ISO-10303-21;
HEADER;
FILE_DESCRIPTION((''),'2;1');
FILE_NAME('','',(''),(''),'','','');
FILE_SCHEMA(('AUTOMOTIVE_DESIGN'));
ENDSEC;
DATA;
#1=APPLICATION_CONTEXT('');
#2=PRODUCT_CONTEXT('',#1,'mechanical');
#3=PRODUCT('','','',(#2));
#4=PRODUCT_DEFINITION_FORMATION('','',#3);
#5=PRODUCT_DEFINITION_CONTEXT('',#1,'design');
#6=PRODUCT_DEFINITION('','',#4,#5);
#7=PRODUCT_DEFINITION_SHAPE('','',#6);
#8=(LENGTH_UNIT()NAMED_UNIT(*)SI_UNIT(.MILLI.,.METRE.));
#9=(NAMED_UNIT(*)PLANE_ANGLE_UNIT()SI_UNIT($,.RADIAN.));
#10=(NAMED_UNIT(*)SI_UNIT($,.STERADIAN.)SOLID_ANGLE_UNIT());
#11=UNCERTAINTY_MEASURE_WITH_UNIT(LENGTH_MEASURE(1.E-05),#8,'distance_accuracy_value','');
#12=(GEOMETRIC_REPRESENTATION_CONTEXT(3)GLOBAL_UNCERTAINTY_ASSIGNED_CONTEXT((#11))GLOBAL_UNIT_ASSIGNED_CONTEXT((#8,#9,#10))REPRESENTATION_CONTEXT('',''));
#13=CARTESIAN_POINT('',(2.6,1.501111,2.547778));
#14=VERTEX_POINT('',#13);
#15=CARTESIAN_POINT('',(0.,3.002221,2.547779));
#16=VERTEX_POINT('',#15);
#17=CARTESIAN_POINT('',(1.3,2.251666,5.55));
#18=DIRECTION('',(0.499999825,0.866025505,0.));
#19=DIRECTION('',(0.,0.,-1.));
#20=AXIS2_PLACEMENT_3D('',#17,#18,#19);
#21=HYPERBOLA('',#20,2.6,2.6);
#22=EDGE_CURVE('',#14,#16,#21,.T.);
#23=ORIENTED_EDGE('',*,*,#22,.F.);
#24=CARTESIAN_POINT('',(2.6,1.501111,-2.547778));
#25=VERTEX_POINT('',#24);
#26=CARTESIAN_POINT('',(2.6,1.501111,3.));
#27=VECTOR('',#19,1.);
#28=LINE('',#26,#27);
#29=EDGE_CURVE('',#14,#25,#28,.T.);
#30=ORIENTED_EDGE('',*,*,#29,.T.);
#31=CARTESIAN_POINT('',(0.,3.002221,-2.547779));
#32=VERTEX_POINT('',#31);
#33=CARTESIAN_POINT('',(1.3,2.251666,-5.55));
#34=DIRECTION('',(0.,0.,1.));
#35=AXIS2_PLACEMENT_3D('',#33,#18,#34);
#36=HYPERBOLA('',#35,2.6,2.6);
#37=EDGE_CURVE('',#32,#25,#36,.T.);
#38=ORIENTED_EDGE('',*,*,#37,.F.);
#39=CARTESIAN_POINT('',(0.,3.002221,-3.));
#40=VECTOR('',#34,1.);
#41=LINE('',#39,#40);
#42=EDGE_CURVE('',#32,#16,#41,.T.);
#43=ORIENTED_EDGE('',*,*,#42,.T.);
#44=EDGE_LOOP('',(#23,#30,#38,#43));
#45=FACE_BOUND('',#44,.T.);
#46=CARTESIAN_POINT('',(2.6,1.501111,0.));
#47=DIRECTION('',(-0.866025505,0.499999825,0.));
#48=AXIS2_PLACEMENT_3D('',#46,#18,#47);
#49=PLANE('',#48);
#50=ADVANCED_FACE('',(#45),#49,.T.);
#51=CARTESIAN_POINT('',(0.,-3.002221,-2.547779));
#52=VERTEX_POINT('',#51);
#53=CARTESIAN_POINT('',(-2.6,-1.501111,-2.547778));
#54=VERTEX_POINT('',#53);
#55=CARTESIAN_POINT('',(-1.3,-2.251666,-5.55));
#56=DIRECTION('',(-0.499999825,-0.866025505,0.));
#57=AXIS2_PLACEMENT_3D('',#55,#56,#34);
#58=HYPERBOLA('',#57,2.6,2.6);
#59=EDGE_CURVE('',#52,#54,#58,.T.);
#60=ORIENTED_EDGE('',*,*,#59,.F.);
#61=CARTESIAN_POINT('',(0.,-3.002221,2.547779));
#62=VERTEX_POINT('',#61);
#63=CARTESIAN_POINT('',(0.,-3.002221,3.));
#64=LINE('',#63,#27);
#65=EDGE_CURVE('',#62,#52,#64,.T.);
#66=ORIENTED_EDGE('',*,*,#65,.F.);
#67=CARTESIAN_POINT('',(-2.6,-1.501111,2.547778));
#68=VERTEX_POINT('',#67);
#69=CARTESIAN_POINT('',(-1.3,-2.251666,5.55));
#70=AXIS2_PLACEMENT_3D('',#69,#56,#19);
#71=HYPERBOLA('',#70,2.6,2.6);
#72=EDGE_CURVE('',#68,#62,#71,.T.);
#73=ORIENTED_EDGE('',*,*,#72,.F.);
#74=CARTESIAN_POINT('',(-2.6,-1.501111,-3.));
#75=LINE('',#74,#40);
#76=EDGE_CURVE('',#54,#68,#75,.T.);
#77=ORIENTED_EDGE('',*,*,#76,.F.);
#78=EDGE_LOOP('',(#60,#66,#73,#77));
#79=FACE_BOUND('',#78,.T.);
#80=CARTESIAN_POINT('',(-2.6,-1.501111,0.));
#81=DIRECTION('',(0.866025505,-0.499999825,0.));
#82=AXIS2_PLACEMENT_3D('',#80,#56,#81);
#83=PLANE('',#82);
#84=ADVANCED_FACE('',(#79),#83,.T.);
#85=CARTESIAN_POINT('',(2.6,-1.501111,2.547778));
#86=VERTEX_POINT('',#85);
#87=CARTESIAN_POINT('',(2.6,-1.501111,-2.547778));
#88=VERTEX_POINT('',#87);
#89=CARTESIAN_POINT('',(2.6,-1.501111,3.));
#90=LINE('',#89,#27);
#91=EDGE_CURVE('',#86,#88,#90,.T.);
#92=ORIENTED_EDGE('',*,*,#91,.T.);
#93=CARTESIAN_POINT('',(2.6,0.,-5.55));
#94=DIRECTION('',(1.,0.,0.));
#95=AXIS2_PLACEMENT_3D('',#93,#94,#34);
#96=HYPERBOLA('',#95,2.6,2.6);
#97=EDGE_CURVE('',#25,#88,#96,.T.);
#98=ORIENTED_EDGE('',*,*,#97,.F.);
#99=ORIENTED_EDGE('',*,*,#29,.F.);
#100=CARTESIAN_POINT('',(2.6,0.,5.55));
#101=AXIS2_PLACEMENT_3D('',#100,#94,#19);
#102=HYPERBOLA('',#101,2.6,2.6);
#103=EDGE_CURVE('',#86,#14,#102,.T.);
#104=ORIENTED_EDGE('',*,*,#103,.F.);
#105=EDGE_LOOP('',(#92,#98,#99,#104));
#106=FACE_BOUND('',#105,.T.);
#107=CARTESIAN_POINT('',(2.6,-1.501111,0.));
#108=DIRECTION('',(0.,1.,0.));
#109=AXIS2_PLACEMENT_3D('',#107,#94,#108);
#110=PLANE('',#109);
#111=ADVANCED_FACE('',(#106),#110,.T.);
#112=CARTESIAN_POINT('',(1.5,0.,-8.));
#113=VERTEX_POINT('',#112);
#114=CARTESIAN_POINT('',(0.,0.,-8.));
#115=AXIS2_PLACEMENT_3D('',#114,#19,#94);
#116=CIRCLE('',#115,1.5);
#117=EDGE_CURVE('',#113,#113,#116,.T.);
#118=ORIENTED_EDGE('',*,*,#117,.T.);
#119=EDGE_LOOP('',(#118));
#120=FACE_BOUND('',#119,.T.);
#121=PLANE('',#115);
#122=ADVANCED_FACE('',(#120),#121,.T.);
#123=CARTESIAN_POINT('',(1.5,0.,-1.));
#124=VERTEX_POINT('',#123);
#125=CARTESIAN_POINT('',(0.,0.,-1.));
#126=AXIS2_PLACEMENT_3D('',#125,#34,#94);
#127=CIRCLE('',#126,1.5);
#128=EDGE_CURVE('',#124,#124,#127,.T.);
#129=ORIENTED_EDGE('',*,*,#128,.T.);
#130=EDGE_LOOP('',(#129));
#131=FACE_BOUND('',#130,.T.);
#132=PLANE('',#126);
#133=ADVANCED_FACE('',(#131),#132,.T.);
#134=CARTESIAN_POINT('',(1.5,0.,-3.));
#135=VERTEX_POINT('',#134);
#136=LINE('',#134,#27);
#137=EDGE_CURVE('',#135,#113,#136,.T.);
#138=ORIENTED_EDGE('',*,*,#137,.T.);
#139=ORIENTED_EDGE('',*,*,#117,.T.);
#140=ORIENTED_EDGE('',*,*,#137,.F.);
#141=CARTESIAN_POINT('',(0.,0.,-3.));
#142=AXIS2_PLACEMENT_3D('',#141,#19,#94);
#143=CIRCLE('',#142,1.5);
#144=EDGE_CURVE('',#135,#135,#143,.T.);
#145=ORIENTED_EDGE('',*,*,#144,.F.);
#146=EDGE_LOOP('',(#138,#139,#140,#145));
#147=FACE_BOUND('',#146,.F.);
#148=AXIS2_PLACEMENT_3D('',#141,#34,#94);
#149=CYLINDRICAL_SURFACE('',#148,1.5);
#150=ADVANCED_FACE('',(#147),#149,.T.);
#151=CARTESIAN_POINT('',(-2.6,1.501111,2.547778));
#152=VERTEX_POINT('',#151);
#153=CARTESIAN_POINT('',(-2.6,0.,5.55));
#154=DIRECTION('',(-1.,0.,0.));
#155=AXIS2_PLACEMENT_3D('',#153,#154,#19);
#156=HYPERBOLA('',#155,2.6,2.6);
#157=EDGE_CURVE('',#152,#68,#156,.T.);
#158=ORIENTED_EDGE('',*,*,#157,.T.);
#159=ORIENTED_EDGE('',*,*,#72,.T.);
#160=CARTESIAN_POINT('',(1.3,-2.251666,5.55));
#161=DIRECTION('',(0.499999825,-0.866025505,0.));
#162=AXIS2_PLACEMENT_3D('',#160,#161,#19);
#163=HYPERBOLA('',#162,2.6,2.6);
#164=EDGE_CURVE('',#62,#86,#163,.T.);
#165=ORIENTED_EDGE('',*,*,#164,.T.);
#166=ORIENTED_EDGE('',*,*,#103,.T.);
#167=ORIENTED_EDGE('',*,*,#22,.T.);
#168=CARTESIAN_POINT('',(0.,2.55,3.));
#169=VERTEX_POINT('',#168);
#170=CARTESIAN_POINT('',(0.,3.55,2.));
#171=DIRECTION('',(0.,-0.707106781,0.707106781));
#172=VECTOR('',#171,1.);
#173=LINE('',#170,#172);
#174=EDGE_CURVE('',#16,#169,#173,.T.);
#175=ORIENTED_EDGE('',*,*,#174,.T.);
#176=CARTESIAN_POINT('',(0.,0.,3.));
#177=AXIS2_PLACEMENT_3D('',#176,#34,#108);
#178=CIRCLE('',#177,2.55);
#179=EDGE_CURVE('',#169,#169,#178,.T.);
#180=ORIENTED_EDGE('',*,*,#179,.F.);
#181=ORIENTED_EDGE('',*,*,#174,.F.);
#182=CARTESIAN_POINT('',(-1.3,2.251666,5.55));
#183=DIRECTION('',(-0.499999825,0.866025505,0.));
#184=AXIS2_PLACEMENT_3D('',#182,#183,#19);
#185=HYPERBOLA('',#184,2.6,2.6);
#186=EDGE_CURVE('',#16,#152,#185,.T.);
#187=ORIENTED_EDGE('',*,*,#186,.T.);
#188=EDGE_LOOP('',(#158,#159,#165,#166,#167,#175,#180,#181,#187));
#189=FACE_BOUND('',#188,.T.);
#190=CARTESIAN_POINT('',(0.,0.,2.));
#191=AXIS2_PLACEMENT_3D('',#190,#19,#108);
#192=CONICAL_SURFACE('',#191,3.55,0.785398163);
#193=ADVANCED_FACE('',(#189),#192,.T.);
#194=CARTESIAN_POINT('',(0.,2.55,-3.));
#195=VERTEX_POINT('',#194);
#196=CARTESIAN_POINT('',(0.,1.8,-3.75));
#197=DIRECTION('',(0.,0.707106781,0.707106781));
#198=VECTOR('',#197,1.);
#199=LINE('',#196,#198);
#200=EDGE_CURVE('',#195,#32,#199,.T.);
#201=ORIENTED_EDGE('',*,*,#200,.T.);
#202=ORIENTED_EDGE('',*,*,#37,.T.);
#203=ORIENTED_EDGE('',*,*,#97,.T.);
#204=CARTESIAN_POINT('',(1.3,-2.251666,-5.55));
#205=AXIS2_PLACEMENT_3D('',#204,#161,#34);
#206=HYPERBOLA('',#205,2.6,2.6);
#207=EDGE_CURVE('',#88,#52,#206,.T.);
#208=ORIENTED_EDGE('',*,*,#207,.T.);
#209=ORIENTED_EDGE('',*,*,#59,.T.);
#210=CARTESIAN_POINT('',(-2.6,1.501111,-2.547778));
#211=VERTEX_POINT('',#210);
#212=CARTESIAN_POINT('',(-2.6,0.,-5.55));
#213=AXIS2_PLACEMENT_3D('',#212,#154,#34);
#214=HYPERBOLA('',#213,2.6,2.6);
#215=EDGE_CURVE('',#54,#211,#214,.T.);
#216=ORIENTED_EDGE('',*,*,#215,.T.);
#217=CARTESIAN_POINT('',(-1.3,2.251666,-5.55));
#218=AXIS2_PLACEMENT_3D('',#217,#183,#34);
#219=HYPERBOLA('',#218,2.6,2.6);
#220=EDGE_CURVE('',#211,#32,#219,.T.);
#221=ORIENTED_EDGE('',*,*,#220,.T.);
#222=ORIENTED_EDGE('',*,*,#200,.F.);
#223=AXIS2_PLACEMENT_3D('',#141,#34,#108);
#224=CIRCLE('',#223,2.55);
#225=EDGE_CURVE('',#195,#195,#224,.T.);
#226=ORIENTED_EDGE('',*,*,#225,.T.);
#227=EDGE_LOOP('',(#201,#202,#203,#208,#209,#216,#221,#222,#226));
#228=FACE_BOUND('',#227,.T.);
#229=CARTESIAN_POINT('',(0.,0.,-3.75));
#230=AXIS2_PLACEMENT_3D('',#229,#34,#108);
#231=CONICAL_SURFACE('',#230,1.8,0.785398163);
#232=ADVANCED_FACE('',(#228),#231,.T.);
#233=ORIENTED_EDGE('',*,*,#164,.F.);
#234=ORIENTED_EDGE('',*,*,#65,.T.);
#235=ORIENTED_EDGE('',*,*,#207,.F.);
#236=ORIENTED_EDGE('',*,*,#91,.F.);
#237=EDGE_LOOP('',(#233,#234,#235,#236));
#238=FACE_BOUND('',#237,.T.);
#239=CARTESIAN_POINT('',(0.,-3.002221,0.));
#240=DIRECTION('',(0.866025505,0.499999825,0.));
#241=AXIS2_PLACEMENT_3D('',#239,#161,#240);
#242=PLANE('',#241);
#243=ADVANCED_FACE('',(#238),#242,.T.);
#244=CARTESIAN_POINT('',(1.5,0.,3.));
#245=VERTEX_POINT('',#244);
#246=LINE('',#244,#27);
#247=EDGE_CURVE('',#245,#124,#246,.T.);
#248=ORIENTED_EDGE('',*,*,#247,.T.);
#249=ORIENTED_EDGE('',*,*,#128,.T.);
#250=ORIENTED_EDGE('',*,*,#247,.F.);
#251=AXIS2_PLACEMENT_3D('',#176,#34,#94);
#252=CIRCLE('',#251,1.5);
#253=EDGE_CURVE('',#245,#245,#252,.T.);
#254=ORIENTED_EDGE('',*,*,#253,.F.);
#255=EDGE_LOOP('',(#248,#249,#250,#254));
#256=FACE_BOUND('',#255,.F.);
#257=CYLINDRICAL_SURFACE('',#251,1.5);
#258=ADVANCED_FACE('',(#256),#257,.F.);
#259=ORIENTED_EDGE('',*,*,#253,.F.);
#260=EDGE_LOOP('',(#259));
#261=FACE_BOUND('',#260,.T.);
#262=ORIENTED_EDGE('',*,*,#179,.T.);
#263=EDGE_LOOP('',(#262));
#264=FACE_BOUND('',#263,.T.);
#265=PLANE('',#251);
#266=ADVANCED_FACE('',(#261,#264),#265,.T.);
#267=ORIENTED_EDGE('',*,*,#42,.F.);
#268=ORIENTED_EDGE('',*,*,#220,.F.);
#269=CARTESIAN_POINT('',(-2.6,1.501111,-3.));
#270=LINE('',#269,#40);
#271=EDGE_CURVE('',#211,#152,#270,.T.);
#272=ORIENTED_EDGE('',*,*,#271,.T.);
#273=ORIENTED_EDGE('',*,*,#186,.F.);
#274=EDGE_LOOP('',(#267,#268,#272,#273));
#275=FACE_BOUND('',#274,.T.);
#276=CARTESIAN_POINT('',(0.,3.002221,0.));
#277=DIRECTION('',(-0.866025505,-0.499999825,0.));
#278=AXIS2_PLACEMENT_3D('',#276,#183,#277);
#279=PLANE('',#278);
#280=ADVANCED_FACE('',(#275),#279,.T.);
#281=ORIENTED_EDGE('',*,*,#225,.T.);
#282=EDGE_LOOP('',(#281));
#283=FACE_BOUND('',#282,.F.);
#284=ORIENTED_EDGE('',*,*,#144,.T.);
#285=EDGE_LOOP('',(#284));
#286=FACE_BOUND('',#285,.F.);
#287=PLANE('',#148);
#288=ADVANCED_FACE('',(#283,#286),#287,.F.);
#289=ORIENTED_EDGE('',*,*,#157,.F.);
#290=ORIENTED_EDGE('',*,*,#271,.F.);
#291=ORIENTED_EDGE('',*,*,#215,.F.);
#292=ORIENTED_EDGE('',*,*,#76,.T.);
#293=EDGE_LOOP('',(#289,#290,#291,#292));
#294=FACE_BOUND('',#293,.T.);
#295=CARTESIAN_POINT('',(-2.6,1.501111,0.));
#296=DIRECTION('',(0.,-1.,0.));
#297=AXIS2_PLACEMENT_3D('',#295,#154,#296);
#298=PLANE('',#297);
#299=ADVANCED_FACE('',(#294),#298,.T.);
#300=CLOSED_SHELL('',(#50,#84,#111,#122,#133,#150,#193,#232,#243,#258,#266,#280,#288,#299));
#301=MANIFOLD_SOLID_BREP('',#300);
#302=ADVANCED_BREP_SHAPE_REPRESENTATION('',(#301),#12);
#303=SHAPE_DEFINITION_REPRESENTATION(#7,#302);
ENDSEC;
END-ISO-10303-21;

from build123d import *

# Parameters (mm, degrees)
PAD_DEPTH    = 3
SKETCH001_R  = 1.5
POCKET_DEPTH = 4
SKETCH004_R  = 1.5
PAD001_DEPTH = 5


with BuildPart() as part:
    # Sketch → Pad (new body, symmetric)
    with BuildSketch(Plane.XY):
        Polygon((2.6, 1.501111), (0, 3.002221), (-2.6, 1.501111), (-2.6, -1.501111), (0, -3.002221), (2.6, -1.501111), align=None)
    extrude(amount=PAD_DEPTH, both=True)

    # Sketch001 (on Face8 of Pad) → Pocket (cut)
    with BuildSketch(Plane.XY.offset(3)):
        Circle(SKETCH001_R)
    extrude(amount=-POCKET_DEPTH, mode=Mode.SUBTRACT)

    # Sketch004 (on Face4 of Pocket) → Pad001 (join)
    with BuildSketch(Plane(origin=(0, 0, -3), x_dir=(1, 0, 0), z_dir=(0, 0, -1))):
        Circle(SKETCH004_R)
    extrude(amount=PAD001_DEPTH)

    # Sketch006 → Groove (revolve, cut)
    with BuildSketch(Plane.YZ):
        Polygon((1.8, 3.75), (4.8, 3.75), (4.8, -3.75), (1.8, -3.75), (3.55, -2), (3.55, 2), align=None)
    revolve(axis=Axis((0, 0, 0), (0, 0, 1)), mode=Mode.SUBTRACT)


solid = part.part
